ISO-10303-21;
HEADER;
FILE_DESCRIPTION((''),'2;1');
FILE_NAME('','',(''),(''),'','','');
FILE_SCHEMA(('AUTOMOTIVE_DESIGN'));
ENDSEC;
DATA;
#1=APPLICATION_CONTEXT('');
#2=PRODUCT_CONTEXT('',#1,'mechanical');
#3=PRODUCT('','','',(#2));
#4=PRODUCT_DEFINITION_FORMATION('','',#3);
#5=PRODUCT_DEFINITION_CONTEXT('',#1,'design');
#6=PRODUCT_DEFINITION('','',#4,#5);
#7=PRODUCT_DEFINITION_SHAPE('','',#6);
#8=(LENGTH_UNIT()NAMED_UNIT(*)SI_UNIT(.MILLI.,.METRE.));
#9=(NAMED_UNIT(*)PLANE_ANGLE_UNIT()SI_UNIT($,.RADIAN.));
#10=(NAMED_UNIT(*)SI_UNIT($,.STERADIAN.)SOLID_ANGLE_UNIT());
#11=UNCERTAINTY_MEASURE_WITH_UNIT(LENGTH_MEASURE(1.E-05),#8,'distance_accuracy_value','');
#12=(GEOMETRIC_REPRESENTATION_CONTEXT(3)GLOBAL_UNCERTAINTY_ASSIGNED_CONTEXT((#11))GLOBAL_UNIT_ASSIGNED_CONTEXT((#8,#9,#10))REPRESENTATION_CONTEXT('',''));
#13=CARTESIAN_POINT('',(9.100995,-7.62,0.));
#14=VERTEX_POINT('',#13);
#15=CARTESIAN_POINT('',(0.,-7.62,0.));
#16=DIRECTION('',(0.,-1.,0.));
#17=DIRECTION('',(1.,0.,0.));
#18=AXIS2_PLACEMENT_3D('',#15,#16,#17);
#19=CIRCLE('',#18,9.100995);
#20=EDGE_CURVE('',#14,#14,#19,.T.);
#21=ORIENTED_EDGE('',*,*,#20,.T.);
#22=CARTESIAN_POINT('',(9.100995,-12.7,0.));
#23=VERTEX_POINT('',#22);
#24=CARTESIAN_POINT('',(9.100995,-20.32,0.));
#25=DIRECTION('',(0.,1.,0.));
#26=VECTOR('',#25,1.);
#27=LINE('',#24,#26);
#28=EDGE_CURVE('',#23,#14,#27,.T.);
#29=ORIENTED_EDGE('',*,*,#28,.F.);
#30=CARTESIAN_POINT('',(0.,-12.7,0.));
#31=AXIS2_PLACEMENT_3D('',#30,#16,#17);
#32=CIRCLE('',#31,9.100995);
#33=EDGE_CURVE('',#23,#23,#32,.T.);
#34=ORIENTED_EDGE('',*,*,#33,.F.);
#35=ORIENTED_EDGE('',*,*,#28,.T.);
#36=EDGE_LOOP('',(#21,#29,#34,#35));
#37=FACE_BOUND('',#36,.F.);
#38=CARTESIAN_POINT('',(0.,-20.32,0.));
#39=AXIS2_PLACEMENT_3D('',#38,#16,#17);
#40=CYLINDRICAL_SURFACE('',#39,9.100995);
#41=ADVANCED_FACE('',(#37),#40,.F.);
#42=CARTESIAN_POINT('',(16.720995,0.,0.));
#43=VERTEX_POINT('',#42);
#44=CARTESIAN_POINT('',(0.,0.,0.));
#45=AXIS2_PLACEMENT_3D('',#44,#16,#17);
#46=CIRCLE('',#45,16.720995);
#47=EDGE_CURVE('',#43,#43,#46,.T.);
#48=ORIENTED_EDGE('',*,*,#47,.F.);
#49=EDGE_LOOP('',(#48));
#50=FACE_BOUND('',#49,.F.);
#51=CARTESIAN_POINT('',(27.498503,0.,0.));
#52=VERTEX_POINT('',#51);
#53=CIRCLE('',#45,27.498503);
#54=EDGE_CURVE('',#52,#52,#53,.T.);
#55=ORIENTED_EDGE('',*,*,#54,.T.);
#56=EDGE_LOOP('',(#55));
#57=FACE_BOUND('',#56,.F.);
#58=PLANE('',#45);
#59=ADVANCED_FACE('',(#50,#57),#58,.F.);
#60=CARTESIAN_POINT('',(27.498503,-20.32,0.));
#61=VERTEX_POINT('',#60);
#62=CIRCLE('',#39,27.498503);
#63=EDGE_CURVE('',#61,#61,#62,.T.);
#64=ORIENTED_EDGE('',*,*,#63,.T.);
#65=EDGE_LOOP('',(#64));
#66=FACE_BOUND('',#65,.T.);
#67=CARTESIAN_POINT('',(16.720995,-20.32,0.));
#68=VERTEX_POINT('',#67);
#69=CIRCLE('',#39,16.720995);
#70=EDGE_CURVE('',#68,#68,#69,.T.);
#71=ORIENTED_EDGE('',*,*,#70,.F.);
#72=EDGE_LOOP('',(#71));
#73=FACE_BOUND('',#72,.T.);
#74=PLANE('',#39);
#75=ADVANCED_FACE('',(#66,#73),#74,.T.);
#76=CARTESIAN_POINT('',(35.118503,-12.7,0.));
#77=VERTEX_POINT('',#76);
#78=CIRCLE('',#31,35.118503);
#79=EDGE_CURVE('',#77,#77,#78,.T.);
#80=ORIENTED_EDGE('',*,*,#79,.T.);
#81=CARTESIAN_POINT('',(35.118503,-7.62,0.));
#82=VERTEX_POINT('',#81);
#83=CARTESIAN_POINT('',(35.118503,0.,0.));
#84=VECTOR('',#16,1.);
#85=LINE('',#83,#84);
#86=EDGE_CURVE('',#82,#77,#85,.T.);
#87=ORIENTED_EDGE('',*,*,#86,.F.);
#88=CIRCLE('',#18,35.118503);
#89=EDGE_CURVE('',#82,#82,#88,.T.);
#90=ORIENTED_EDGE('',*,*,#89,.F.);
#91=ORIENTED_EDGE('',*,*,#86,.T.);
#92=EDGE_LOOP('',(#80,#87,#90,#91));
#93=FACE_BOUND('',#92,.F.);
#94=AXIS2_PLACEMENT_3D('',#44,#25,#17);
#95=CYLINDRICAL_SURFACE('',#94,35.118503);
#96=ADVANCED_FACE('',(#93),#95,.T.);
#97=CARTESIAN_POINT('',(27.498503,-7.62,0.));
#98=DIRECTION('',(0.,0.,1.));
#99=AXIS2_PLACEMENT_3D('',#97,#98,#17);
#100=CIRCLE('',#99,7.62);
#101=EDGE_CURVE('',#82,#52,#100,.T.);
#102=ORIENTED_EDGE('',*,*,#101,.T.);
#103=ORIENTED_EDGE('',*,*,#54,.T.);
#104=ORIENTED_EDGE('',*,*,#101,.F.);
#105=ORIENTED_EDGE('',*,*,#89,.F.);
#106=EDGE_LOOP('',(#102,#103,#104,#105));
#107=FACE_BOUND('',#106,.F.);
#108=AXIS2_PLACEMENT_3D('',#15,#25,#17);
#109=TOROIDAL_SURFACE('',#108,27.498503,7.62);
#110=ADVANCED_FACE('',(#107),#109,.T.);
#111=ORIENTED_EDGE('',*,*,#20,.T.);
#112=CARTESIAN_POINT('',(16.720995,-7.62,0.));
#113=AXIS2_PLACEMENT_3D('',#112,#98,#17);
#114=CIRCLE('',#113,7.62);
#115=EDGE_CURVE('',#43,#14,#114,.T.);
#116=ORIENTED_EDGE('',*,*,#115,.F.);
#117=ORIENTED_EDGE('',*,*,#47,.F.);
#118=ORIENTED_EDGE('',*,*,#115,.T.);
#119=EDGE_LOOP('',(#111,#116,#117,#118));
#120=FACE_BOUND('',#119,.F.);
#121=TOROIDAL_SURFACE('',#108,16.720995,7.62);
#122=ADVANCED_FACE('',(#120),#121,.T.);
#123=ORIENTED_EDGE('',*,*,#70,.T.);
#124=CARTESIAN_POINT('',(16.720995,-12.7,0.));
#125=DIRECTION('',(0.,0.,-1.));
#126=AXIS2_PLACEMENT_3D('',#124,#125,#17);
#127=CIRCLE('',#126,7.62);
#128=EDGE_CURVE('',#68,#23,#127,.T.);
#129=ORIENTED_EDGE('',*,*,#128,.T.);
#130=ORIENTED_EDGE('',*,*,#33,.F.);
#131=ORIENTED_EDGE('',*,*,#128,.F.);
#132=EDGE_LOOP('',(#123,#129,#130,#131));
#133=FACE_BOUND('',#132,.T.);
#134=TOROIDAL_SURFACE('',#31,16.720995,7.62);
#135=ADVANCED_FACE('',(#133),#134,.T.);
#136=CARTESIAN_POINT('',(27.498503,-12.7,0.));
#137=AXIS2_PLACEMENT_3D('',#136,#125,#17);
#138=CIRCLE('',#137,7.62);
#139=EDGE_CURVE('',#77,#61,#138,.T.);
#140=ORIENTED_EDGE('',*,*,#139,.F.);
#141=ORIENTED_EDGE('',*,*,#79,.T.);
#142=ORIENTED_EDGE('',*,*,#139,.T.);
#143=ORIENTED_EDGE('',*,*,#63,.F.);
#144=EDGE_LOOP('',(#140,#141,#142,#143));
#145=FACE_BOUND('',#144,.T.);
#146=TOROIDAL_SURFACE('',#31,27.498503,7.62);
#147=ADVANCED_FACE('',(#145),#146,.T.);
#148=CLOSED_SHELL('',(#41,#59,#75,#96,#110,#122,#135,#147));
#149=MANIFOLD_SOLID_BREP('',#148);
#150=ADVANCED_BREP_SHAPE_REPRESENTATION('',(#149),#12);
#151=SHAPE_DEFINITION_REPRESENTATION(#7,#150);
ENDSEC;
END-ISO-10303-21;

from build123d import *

# Parameters (mm, degrees)
F0_R     = 35.118503
F1_DEPTH = 20.32
F2_R     = 9.100995
F3_DEPTH = 20.32
F4_R     = 7.62


with BuildPart() as f1:
    # F0 (on Front) → F1 (new body)
    with BuildSketch(Plane.XZ):
        Circle(F0_R)
    extrude(amount=F1_DEPTH)

    # F2 (on face) → F3 (cut)
    with BuildSketch(Plane.XZ.offset(20.32)):
        Circle(F2_R)
    extrude(amount=-F3_DEPTH, mode=Mode.SUBTRACT)

    # F4
    f4_edges = [f1.edges().sort_by_distance(p)[0] for p in [
        (-35.118503, 0, 0),
        (-35.118503, -20.32, 0),
        (-9.100995, -20.32, 0),
        (-9.100995, 0, 0),
    ]]
    fillet(f4_edges, radius=F4_R)


solid = f1.part
